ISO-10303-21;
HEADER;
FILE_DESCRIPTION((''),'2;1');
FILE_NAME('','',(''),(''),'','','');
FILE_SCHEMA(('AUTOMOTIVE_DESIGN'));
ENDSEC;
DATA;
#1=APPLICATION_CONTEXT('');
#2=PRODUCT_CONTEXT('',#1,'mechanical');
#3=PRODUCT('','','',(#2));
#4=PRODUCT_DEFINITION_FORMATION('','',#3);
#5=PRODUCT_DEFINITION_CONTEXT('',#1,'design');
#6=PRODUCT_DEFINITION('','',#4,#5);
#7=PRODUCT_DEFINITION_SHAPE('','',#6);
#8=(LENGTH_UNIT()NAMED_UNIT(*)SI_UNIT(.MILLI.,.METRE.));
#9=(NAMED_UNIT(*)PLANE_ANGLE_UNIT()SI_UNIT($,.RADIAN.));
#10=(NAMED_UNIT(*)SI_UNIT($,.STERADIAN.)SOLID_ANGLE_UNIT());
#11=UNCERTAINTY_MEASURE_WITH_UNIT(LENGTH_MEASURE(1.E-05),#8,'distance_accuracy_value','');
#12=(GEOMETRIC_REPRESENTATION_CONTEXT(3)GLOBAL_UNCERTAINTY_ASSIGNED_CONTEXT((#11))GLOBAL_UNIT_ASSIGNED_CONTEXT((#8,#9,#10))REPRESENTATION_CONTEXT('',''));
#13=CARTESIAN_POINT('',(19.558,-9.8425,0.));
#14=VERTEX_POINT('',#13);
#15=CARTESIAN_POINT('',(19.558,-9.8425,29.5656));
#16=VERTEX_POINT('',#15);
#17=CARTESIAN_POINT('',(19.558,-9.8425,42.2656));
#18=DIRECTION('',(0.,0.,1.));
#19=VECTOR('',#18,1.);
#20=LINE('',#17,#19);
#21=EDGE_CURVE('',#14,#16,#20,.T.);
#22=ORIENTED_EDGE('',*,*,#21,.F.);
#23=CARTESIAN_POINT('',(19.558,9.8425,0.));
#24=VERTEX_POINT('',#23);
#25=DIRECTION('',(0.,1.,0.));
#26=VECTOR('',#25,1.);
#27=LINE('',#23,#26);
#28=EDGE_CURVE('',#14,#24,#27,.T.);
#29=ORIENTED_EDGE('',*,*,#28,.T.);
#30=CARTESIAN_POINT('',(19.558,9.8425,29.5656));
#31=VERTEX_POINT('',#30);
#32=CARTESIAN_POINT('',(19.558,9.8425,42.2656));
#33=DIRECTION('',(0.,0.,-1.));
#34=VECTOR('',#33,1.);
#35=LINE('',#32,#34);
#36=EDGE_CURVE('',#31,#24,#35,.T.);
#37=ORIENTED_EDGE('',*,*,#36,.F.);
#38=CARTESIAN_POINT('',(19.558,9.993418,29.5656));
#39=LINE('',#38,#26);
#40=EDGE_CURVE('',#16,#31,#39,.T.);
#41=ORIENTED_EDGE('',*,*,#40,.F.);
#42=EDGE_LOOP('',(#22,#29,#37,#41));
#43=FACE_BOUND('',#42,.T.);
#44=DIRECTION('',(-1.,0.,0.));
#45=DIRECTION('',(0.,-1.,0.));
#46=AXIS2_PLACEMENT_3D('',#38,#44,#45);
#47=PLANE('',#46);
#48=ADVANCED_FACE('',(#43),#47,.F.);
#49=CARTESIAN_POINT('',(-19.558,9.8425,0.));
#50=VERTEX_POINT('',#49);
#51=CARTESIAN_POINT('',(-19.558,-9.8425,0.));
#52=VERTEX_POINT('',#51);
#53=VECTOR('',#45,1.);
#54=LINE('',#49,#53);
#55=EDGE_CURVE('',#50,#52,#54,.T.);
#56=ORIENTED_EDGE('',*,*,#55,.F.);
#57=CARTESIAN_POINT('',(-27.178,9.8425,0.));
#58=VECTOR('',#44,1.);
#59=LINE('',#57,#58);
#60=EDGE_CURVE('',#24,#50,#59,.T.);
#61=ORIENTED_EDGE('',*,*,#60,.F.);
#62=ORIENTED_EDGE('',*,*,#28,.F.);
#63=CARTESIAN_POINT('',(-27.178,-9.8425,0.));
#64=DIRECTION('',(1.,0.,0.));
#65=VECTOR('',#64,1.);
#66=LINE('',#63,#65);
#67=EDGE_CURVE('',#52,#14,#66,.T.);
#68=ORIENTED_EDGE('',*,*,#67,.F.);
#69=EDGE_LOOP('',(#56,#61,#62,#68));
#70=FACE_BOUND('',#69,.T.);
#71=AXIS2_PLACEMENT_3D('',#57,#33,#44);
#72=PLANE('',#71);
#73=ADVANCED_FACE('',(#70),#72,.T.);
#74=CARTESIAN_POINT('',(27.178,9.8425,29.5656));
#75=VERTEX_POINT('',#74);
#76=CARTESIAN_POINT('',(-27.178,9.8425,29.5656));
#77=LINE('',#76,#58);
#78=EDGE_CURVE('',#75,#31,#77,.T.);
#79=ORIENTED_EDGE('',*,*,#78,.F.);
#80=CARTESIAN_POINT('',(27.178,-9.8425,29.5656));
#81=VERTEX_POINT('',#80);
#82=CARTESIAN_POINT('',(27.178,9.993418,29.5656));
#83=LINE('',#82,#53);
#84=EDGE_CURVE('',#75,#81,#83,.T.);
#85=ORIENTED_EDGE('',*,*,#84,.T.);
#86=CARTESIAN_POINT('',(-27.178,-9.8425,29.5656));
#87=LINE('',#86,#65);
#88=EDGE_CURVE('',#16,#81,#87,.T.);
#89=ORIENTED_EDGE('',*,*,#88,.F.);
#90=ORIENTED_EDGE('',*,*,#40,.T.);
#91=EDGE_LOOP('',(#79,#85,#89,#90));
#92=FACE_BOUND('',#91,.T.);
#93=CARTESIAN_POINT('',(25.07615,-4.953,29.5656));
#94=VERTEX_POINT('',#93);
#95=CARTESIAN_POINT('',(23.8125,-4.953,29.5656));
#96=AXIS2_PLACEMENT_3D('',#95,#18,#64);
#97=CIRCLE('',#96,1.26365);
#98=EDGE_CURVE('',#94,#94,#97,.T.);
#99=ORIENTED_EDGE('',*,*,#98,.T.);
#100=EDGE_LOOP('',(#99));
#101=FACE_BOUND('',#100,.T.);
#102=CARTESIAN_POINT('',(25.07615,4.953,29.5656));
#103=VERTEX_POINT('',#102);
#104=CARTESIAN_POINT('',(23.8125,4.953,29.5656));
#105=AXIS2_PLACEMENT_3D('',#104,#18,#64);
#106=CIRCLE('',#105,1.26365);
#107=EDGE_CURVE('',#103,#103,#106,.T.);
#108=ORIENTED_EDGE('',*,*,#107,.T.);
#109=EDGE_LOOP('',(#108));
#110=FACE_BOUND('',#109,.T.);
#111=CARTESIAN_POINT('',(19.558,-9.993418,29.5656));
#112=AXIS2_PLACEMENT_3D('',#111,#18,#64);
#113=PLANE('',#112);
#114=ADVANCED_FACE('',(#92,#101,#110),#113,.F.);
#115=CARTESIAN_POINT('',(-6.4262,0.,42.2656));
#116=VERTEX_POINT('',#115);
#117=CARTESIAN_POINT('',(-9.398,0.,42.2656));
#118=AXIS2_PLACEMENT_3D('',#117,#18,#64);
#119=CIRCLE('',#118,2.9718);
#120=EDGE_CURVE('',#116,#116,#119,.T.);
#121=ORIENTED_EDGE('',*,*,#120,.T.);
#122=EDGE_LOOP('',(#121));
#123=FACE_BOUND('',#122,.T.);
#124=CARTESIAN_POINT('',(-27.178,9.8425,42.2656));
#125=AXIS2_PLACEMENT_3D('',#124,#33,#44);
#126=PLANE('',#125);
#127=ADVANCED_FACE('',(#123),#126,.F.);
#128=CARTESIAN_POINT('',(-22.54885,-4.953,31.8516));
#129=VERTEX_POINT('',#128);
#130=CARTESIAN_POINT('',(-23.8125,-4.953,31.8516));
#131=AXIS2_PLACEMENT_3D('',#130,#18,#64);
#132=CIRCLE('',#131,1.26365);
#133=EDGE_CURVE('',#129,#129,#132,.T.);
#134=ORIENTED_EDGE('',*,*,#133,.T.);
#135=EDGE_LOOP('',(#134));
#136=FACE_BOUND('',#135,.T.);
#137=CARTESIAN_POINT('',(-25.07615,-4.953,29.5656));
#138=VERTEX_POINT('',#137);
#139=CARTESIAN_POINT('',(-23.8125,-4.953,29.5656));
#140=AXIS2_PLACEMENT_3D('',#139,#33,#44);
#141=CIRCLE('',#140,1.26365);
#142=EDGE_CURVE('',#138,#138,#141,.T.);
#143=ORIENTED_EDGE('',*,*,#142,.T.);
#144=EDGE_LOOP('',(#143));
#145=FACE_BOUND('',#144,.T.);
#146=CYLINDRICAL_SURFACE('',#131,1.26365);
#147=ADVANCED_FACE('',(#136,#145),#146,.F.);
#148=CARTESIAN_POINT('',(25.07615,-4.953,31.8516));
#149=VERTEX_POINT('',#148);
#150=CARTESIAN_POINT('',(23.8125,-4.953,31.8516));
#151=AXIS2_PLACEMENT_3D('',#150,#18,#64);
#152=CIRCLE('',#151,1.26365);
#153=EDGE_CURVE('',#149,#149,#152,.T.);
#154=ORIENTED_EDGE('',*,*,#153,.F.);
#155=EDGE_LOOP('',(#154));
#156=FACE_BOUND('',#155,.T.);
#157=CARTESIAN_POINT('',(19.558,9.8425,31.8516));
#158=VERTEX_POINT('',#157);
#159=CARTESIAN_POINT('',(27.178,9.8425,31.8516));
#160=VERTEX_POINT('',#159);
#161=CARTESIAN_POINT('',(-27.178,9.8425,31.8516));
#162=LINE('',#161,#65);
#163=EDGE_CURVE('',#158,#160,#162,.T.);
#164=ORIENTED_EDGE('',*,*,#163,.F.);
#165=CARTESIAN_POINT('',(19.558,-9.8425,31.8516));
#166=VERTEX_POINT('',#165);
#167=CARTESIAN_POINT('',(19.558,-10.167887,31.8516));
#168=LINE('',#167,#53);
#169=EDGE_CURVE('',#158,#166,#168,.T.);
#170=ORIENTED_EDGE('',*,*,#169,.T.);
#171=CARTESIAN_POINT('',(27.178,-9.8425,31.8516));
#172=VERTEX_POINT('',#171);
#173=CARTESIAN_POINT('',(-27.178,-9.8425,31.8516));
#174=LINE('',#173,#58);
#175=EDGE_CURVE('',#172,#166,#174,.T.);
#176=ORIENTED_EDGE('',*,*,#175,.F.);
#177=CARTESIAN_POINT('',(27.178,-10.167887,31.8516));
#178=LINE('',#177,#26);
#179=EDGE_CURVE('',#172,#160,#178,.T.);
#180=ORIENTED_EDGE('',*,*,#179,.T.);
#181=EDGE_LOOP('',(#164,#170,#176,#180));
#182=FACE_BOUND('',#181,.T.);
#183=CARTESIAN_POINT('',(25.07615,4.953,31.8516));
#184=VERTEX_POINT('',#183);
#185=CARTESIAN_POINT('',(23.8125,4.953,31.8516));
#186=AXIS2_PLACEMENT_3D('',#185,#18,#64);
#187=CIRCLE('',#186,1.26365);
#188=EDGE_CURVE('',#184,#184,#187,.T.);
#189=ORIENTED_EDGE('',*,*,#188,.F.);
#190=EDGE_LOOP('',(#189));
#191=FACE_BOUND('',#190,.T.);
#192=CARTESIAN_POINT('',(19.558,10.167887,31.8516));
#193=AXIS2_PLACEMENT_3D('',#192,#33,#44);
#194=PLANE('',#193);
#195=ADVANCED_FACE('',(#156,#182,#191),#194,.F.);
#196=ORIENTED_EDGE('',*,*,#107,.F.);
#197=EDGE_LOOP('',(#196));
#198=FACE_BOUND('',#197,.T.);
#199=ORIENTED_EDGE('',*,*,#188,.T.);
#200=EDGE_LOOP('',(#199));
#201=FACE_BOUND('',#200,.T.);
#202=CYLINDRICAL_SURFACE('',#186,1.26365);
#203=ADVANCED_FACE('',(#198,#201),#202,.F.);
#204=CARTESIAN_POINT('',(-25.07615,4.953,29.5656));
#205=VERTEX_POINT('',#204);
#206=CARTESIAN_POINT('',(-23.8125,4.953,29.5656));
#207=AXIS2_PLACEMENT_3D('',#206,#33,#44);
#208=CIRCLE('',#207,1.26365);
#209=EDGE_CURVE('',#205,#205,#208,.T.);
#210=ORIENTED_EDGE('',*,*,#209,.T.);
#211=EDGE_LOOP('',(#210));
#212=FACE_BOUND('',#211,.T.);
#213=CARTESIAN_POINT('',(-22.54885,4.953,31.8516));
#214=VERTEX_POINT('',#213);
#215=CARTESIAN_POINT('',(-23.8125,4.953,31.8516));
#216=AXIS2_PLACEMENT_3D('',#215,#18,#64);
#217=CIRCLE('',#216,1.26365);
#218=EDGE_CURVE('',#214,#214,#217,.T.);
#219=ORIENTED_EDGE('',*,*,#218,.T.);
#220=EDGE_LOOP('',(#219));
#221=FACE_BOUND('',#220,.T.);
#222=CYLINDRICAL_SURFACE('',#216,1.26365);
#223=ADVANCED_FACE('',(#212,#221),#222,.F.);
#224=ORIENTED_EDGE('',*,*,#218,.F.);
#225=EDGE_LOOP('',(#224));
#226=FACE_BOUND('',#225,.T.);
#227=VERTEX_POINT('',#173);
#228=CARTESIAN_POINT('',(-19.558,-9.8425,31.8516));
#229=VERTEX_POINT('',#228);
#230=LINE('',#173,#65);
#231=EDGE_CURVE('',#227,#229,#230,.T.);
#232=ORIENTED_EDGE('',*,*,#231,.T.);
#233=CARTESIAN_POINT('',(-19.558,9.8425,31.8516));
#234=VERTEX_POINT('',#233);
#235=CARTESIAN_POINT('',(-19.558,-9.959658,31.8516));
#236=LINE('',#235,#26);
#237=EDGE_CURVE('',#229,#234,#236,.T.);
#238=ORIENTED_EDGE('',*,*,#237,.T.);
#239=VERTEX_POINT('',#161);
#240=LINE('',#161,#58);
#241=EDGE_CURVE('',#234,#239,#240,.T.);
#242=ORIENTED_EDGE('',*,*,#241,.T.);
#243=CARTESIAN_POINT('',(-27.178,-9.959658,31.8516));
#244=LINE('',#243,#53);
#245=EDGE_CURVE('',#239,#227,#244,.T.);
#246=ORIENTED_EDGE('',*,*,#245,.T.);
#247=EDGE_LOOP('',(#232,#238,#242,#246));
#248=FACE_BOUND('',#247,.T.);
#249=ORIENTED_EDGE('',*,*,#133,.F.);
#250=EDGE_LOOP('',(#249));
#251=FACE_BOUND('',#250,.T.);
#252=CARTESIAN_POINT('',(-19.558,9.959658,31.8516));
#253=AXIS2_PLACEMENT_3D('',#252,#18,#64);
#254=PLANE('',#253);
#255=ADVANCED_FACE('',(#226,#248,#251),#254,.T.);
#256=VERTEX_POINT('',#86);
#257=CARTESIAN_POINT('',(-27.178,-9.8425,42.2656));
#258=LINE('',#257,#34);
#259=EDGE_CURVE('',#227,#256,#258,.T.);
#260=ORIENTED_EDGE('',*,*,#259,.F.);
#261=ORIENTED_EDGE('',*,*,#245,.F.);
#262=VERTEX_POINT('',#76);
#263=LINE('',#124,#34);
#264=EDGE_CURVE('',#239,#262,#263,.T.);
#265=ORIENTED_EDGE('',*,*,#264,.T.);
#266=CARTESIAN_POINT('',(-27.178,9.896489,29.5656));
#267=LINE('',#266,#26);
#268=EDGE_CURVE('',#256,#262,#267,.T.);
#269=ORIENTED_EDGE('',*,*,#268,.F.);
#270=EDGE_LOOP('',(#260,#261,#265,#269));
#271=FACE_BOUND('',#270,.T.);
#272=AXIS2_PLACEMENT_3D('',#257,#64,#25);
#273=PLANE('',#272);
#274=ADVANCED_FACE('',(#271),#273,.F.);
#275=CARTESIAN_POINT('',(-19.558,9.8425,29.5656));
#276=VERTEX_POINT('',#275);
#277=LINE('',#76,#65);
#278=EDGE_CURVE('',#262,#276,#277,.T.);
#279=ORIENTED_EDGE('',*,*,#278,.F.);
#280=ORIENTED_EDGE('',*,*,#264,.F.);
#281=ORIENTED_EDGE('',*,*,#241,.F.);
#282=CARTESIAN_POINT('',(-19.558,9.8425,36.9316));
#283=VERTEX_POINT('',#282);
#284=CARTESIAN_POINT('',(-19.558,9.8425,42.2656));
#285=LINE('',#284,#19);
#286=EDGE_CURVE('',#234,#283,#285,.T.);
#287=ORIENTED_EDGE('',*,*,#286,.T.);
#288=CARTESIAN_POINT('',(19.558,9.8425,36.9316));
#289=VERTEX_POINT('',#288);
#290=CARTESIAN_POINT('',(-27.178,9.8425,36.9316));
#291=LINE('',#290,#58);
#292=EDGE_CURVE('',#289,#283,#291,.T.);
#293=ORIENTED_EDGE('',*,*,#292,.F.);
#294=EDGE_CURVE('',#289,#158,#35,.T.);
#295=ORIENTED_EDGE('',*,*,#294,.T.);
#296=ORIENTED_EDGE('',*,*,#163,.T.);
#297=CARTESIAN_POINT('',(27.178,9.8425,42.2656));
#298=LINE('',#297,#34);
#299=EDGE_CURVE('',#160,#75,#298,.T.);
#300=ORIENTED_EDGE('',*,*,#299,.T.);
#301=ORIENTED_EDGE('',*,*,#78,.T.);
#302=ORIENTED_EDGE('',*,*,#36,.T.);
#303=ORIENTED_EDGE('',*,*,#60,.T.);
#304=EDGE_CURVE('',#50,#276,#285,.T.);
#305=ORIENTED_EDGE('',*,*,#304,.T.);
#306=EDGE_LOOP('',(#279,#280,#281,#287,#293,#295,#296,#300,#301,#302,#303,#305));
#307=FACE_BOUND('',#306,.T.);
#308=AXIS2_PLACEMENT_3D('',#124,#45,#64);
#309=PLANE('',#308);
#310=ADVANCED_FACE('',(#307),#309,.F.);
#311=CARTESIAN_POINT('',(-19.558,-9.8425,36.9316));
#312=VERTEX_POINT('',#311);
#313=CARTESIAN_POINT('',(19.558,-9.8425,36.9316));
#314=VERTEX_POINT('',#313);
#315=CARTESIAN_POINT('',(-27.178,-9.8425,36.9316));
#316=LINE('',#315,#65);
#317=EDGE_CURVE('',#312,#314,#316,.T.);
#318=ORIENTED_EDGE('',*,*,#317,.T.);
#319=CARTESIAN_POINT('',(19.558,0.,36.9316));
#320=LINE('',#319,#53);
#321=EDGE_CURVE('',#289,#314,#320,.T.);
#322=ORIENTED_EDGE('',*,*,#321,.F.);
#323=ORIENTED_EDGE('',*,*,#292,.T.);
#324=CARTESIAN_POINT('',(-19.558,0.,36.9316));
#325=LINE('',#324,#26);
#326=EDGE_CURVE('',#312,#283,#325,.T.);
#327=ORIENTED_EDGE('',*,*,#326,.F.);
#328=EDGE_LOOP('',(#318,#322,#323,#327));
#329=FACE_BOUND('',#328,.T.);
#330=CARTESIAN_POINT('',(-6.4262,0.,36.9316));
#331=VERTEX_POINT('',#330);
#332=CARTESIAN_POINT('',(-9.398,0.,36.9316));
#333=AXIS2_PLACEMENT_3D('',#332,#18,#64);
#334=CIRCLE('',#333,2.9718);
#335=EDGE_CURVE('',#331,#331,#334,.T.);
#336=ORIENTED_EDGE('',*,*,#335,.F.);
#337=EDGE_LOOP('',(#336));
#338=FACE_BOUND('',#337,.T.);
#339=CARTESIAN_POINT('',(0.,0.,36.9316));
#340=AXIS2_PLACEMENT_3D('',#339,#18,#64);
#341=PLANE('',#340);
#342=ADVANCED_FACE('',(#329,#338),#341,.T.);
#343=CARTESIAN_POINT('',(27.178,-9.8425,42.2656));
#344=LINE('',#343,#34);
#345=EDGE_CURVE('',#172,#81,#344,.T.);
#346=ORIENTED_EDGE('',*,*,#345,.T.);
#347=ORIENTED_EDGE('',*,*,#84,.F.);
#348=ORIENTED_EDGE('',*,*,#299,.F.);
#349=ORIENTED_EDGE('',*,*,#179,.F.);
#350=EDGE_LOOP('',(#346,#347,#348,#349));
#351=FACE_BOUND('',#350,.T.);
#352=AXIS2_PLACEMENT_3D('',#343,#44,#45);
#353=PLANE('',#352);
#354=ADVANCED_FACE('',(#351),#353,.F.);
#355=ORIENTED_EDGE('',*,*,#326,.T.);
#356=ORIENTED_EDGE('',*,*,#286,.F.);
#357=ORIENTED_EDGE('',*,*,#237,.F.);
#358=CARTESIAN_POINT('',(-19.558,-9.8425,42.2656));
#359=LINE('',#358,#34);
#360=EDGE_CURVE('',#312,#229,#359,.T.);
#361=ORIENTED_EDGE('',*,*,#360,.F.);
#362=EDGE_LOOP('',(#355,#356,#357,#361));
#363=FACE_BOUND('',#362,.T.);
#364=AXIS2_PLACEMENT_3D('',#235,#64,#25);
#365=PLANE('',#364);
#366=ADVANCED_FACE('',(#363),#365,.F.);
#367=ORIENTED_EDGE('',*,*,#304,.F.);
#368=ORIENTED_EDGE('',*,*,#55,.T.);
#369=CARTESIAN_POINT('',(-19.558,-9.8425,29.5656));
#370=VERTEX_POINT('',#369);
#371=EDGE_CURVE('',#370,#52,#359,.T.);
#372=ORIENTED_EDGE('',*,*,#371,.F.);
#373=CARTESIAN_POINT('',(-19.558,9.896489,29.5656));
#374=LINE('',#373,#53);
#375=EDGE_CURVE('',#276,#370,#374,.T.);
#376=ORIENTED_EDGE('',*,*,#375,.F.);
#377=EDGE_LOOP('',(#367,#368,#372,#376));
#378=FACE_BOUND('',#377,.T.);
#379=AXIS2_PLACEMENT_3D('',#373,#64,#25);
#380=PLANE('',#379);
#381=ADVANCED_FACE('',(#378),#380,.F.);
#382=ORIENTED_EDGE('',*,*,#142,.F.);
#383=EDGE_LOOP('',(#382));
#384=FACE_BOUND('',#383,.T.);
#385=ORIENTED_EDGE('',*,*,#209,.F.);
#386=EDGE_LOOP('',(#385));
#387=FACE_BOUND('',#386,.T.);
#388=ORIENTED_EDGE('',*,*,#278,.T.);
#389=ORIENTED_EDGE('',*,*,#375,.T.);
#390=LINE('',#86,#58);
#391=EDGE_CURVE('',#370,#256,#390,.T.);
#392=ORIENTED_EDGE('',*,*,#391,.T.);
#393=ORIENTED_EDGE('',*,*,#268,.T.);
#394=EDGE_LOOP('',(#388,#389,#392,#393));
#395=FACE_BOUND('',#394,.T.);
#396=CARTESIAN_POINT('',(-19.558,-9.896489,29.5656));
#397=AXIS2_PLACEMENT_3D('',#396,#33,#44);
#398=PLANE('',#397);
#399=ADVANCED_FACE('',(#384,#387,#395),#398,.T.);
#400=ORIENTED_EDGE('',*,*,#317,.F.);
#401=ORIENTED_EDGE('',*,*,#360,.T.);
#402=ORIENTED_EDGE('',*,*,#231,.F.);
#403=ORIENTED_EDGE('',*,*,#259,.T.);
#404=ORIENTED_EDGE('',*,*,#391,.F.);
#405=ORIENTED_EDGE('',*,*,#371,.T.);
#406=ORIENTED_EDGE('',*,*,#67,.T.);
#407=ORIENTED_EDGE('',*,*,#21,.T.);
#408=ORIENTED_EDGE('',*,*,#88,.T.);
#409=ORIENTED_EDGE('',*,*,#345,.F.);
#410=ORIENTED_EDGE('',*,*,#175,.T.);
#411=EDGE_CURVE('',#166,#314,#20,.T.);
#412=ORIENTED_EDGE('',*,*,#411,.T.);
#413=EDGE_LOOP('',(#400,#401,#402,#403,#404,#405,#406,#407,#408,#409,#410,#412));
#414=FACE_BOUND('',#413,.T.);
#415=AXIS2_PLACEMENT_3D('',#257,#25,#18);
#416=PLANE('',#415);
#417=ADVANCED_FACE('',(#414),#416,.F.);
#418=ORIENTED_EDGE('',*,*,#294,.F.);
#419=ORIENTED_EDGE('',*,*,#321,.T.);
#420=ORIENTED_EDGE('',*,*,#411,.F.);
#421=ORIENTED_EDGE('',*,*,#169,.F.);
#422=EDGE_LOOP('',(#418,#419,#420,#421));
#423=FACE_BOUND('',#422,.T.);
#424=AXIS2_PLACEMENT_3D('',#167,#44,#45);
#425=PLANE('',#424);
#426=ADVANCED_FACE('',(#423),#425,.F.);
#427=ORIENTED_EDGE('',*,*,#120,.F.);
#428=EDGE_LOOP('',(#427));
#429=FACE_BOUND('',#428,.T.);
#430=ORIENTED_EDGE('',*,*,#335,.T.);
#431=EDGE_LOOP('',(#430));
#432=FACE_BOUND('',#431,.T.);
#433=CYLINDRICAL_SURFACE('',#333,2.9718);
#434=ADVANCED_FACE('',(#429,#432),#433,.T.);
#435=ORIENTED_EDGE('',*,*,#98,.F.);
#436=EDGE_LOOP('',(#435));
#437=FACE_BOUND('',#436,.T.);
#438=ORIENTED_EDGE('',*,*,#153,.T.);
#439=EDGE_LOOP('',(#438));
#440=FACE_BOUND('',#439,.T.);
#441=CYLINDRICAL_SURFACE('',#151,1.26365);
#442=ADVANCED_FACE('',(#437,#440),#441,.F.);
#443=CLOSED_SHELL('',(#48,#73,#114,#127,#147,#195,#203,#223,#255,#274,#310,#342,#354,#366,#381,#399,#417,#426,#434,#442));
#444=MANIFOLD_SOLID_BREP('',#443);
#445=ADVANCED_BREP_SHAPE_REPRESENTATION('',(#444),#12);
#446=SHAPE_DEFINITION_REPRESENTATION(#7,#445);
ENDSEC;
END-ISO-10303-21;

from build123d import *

# Parameters (mm, degrees)
SKETCH1_W                        = 54.356
SKETCH1_H                        = 19.685
EXTRUDE1_DEPTH                   = 42.2656
SKETCH3_OUTSIDE_W                = 70.678
SKETCH3_OUTSIDE_H                = 36.007
SKETCH3_OUTSIDE_R                = 2.9718
EXTRUDE2_DEPTH                   = 5.334
SKETCH7_W                        = 7.62
SKETCH7_H                        = 20.335773086
SKETCH7_H_2                      = 19.919316746
EXTRUDE4_DEPTH                   = 10.414
SKETCH8_W                        = 7.62
SKETCH8_H                        = 19.792977092
SKETCH8_H_2                      = 19.986836906
EXTRUDE5_DEPTH                   = 29.5656
F_39_0_0995_DIAMETER_HOLE1_D     = 2.5273
F_39_0_0995_DIAMETER_HOLE1_DEPTH = 12.7
F_39_0_0995_DIAMETER_HOLE1_TIP   = 0.759277521


with BuildPart() as part:
    # Sketch1 → Extrude1 (new body)
    with BuildSketch(Plane.XY):
        Rectangle(SKETCH1_W, SKETCH1_H)
    extrude(amount=EXTRUDE1_DEPTH)

    # Sketch3 outside → Extrude2 (cut)
    with BuildSketch(Plane.XY.offset(42.2656)):
        with Locations((0, 0.0005)):
            Rectangle(SKETCH3_OUTSIDE_W, SKETCH3_OUTSIDE_H)
        with Locations((-9.398, 0)):
            Circle(SKETCH3_OUTSIDE_R, mode=Mode.SUBTRACT)
    extrude(amount=-EXTRUDE2_DEPTH, mode=Mode.SUBTRACT)

    # Sketch7 → Extrude4 (cut)
    with BuildSketch(Plane.XY.offset(42.2656)):
        with Locations((23.368, 0)):
            Rectangle(SKETCH7_W, SKETCH7_H)
        with Locations((-23.368, 0)):
            Rectangle(SKETCH7_W, SKETCH7_H_2)
    extrude(amount=-EXTRUDE4_DEPTH, mode=Mode.SUBTRACT)

    # Sketch8 → Extrude5 (cut)
    with BuildSketch(Plane(origin=(0, 0, 0), x_dir=(-1, 0, 0), z_dir=(0, 0, -1))):
        with Locations((23.368, 0)):
            Rectangle(SKETCH8_W, SKETCH8_H)
        with Locations((-23.368, 0)):
            Rectangle(SKETCH8_W, SKETCH8_H_2)
    extrude(amount=-EXTRUDE5_DEPTH, mode=Mode.SUBTRACT)

    # #39 (0.0995) Diameter Hole1
    with Locations(Plane(origin=(-23.8125, 4.953, 31.8516), x_dir=(1, 0, 0), z_dir=(0, 0, 1))):
        with Locations((0, 0), (0, -9.906), (47.625, 0), (47.625, -9.906)):
            Hole(F_39_0_0995_DIAMETER_HOLE1_D / 2, depth=F_39_0_0995_DIAMETER_HOLE1_DEPTH)
            with Locations((0, 0, -(F_39_0_0995_DIAMETER_HOLE1_DEPTH + F_39_0_0995_DIAMETER_HOLE1_TIP / 2))):  # 118° drill point
                Cone(0, F_39_0_0995_DIAMETER_HOLE1_D / 2, F_39_0_0995_DIAMETER_HOLE1_TIP, mode=Mode.SUBTRACT)


solid = part.part
